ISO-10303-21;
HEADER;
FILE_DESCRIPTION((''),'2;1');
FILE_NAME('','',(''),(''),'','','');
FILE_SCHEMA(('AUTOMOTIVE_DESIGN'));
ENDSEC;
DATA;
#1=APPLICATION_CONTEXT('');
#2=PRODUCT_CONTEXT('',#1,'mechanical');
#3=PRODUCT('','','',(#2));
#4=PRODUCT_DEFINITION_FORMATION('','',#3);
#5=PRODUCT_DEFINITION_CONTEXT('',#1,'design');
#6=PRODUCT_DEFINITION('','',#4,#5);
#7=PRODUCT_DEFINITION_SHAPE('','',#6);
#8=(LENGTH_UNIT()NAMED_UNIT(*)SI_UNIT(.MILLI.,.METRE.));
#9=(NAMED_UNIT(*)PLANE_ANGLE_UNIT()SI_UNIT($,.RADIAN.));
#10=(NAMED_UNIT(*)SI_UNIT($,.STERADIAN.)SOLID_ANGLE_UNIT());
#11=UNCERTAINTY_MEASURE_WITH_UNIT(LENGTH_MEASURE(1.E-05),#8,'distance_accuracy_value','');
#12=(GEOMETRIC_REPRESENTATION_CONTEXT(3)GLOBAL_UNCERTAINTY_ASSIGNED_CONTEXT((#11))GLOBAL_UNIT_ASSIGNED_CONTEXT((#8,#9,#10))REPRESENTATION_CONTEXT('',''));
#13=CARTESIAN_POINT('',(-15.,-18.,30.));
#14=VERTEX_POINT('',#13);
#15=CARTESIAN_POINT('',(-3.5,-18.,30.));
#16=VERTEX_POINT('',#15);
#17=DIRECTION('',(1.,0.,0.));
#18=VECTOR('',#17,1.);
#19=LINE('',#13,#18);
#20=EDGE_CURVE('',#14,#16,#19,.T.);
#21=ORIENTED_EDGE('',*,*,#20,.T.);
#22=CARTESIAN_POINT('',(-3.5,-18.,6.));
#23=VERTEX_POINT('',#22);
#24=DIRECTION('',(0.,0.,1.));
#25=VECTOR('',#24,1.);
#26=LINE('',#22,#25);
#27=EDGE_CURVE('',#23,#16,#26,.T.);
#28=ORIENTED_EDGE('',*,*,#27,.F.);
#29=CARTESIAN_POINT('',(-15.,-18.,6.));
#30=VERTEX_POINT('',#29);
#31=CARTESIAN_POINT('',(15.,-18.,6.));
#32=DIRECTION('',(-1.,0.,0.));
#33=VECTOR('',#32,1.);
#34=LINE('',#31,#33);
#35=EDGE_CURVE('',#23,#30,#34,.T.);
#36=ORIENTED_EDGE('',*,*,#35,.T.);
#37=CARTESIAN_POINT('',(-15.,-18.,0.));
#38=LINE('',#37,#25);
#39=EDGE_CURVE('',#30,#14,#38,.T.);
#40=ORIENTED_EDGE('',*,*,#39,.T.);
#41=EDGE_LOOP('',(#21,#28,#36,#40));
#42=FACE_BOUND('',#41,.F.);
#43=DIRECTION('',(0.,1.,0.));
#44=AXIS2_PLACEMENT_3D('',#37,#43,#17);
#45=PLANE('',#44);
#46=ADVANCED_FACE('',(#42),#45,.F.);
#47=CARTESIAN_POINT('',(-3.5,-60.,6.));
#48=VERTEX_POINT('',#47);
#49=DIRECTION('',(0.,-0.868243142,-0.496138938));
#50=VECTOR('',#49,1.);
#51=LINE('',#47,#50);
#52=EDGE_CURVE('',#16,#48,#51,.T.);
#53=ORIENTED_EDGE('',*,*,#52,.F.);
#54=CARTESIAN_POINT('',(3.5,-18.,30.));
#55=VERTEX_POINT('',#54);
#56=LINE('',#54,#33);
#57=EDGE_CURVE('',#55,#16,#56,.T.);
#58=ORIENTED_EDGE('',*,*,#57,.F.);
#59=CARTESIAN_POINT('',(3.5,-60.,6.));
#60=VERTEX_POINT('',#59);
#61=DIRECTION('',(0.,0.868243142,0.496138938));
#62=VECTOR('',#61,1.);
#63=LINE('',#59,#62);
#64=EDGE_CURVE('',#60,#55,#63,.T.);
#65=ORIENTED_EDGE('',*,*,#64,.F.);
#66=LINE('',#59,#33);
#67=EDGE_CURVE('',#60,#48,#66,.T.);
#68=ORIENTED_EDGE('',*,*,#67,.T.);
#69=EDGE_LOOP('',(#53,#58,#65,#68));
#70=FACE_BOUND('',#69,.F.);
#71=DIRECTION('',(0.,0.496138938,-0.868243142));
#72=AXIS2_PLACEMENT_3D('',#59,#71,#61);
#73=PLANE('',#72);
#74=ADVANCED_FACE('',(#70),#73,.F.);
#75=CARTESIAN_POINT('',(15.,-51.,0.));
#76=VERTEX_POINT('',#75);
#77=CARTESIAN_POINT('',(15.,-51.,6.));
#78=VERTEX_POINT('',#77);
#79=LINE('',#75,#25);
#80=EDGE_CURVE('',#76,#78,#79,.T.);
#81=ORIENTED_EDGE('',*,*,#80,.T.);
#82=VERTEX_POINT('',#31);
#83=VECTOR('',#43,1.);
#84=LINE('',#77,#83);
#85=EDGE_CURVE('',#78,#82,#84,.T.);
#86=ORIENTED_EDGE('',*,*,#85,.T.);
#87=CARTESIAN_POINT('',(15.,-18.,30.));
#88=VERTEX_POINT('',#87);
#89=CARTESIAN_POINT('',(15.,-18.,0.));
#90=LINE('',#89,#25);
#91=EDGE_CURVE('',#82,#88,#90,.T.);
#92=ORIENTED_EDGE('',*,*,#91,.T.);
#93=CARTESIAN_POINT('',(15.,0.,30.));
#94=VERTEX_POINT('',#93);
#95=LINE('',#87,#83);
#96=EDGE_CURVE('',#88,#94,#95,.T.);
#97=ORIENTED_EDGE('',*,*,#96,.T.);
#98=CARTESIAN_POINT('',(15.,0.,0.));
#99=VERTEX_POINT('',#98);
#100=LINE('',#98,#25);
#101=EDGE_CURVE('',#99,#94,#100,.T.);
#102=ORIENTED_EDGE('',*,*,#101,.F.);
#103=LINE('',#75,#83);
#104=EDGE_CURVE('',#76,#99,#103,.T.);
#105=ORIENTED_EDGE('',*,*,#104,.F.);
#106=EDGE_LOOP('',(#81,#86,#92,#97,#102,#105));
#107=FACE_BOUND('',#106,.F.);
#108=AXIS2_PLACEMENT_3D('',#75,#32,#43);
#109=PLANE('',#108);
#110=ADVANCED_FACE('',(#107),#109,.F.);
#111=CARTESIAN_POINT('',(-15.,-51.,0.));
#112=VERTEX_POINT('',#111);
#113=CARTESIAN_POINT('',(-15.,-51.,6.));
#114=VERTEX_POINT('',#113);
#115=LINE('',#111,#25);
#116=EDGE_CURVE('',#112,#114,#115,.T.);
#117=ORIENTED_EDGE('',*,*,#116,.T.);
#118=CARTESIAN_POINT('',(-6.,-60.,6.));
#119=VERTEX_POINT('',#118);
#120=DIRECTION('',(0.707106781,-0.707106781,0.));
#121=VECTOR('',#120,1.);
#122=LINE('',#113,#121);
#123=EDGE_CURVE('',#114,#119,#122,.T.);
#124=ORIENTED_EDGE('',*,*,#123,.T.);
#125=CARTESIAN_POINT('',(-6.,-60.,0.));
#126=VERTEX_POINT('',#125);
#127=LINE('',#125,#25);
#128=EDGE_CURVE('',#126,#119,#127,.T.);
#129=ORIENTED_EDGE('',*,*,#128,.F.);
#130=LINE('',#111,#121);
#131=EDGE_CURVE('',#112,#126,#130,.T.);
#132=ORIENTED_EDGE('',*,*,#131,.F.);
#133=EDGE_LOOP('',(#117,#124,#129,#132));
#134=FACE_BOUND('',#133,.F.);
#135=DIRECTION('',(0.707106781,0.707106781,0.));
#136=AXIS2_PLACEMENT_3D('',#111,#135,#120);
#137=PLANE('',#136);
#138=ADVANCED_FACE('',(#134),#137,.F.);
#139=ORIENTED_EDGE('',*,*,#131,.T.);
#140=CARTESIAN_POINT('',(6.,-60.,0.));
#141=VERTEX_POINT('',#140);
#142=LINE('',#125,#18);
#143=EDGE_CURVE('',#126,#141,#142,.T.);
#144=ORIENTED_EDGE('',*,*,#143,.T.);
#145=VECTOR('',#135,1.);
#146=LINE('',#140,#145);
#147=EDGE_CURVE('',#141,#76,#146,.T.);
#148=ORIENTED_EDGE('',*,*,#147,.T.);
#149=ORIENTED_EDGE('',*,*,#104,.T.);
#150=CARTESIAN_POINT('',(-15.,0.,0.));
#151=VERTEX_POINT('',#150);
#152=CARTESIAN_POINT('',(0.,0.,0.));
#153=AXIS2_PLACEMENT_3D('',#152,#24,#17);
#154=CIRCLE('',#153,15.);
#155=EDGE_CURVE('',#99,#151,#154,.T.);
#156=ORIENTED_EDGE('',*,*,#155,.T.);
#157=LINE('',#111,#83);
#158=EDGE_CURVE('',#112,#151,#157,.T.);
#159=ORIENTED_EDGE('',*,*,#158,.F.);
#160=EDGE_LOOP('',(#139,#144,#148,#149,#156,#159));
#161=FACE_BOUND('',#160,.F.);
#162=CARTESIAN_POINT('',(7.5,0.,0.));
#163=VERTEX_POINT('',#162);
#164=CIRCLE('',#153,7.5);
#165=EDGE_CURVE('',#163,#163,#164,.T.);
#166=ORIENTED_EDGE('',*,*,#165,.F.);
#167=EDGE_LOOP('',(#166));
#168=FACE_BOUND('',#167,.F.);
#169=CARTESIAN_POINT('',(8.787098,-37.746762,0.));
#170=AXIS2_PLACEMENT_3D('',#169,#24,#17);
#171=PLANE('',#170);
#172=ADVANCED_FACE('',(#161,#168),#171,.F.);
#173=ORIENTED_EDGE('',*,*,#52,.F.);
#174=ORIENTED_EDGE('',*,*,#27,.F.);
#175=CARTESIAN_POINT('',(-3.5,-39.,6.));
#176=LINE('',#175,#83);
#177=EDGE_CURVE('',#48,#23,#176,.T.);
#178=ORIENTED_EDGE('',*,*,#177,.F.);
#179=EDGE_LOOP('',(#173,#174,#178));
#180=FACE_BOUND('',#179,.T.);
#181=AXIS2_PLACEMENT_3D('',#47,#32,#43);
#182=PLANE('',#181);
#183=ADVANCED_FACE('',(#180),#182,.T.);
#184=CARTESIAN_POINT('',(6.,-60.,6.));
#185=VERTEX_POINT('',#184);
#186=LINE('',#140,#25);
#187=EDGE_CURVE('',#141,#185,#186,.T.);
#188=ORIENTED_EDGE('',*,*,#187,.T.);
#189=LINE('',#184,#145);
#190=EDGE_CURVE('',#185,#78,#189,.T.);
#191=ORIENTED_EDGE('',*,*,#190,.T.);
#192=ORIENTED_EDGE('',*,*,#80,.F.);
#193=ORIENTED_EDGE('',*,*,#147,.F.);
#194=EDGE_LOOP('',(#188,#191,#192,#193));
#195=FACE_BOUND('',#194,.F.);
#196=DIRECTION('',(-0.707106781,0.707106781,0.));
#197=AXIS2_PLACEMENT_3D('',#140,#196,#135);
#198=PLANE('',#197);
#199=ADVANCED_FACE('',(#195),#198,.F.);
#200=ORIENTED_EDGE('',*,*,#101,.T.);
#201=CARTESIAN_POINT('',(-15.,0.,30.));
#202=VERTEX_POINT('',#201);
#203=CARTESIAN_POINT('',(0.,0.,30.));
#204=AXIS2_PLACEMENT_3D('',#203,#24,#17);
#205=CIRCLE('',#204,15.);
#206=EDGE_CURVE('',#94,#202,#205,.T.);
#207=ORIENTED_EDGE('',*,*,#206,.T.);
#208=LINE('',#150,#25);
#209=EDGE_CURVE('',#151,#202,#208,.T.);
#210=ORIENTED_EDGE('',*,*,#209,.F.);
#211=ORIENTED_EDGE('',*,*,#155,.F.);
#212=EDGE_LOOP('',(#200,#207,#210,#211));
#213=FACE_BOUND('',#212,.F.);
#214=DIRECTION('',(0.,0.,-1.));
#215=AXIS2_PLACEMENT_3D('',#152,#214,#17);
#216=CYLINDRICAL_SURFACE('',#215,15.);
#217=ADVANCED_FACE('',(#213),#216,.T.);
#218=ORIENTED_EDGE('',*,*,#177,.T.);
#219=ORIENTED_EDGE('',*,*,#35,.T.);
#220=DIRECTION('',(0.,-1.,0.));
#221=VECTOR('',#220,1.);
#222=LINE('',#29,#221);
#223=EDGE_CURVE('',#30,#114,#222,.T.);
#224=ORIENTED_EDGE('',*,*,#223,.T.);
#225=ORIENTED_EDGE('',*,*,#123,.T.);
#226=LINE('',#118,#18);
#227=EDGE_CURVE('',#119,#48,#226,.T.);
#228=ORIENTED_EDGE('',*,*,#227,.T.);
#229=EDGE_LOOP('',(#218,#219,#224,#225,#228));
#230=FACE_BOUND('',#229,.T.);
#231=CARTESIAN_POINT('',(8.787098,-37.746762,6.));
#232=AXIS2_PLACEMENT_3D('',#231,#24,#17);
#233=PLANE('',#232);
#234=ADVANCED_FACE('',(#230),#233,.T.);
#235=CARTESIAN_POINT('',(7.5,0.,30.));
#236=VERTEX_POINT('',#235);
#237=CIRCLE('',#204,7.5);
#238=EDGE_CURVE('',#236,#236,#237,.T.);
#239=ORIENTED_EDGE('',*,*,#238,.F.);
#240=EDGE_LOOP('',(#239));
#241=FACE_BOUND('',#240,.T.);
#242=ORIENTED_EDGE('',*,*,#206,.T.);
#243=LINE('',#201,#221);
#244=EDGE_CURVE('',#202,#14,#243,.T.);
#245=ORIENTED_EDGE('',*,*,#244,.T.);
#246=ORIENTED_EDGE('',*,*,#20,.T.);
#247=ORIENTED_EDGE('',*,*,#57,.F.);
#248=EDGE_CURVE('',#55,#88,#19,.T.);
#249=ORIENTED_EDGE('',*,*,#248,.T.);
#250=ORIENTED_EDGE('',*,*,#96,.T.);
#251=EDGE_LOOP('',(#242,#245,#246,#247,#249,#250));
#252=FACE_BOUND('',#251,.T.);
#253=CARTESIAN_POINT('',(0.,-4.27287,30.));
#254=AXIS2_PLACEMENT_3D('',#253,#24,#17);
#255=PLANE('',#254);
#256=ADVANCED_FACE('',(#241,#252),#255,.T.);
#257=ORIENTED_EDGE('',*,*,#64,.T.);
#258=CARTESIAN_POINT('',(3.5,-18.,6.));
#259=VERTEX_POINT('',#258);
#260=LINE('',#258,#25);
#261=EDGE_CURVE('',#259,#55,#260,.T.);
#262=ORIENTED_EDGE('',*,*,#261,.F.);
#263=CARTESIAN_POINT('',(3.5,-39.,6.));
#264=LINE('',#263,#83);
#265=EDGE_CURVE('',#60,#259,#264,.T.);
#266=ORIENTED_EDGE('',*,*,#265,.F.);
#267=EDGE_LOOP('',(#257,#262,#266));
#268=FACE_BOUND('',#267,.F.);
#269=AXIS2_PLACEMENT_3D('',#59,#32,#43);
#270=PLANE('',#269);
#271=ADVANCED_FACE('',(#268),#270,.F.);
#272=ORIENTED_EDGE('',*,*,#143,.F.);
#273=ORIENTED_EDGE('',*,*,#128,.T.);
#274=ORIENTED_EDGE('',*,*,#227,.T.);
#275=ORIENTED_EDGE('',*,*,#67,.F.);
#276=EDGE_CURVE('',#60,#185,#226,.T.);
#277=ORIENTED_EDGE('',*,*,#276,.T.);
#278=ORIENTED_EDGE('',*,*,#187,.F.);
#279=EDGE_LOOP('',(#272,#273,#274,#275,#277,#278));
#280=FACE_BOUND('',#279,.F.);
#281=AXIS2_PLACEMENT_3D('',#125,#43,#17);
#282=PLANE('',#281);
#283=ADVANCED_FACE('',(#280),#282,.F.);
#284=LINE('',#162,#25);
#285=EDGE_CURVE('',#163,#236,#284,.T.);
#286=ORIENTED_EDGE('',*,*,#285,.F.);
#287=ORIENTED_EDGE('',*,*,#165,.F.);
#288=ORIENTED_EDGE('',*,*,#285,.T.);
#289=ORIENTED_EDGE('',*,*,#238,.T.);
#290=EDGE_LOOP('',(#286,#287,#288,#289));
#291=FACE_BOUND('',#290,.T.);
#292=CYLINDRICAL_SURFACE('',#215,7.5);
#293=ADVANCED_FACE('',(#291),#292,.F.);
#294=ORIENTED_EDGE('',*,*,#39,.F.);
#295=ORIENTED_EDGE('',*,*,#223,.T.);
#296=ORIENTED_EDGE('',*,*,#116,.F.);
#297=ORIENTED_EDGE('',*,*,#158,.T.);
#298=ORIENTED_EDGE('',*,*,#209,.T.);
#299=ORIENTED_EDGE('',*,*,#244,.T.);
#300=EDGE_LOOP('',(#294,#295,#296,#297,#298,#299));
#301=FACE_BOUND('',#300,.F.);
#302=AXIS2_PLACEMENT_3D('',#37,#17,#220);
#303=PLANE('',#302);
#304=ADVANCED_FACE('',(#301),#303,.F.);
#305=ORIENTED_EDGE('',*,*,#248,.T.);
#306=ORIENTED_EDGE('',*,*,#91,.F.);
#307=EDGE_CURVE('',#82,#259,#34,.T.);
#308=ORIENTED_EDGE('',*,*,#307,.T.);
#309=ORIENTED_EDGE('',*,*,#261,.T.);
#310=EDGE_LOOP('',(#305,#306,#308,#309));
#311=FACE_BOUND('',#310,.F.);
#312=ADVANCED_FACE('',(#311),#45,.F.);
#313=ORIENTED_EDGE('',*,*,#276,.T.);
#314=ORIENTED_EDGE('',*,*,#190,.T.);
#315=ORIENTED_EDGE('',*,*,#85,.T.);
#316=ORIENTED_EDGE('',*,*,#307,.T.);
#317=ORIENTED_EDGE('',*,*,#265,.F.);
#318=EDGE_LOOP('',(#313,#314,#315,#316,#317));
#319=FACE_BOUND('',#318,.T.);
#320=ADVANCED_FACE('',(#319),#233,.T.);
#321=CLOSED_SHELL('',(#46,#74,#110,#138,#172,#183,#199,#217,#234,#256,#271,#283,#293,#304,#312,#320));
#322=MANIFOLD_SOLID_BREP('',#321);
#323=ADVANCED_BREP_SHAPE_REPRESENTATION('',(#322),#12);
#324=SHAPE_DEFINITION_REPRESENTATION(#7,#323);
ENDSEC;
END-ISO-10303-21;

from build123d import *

# Parameters (mm, degrees)
F0_R     = 7.5
F1_DEPTH = 30
F0_W     = 7
F0_H     = 42
F2_DEPTH = 6
F3_W     = 7
F3_H     = 42
F4_DEPTH = 24
F6_DEPTH = 18.501


with BuildPart() as f1:
    # F0 (on Top) → F1 (new body)
    with BuildSketch(Plane.XY):
        with BuildLine():
            Line((15, -18), (15, 0))
            ThreePointArc((15, 0), (0, 15), (-15, 0))
            Line((-15, 0), (-15, -18))
            Line((-15, -18), (-3.5, -18))
            Line((-3.5, -18), (3.5, -18))
            Line((3.5, -18), (15, -18))
        make_face()
        Circle(F0_R, mode=Mode.SUBTRACT)
    extrude(amount=F1_DEPTH)

    # F0 (on Top) → F2 (join)
    with BuildSketch(Plane.XY):
        Polygon((15, -51), (15, -18), (3.5, -18), (3.5, -60), (6, -60), align=None)
        with Locations((0, -39)):
            Rectangle(F0_W, F0_H)
        Polygon((-3.5, -18), (-15, -18), (-15, -51), (-6, -60), (-3.5, -60), align=None)
    extrude(amount=F2_DEPTH)

    # F3 (on face) → F4 (join)
    with BuildSketch(Plane.XY.offset(6)):
        with Locations((0, -39)):
            Rectangle(F3_W, F3_H)
    extrude(amount=F4_DEPTH)

    # F5 (on face) → F6 (cut, through all)
    with BuildSketch(Plane.YZ.offset(3.5)):
        Polygon((-60, 30), (-60, 6), (-18, 30), align=None)
    extrude(amount=-F6_DEPTH, mode=Mode.SUBTRACT)


solid = f1.part
